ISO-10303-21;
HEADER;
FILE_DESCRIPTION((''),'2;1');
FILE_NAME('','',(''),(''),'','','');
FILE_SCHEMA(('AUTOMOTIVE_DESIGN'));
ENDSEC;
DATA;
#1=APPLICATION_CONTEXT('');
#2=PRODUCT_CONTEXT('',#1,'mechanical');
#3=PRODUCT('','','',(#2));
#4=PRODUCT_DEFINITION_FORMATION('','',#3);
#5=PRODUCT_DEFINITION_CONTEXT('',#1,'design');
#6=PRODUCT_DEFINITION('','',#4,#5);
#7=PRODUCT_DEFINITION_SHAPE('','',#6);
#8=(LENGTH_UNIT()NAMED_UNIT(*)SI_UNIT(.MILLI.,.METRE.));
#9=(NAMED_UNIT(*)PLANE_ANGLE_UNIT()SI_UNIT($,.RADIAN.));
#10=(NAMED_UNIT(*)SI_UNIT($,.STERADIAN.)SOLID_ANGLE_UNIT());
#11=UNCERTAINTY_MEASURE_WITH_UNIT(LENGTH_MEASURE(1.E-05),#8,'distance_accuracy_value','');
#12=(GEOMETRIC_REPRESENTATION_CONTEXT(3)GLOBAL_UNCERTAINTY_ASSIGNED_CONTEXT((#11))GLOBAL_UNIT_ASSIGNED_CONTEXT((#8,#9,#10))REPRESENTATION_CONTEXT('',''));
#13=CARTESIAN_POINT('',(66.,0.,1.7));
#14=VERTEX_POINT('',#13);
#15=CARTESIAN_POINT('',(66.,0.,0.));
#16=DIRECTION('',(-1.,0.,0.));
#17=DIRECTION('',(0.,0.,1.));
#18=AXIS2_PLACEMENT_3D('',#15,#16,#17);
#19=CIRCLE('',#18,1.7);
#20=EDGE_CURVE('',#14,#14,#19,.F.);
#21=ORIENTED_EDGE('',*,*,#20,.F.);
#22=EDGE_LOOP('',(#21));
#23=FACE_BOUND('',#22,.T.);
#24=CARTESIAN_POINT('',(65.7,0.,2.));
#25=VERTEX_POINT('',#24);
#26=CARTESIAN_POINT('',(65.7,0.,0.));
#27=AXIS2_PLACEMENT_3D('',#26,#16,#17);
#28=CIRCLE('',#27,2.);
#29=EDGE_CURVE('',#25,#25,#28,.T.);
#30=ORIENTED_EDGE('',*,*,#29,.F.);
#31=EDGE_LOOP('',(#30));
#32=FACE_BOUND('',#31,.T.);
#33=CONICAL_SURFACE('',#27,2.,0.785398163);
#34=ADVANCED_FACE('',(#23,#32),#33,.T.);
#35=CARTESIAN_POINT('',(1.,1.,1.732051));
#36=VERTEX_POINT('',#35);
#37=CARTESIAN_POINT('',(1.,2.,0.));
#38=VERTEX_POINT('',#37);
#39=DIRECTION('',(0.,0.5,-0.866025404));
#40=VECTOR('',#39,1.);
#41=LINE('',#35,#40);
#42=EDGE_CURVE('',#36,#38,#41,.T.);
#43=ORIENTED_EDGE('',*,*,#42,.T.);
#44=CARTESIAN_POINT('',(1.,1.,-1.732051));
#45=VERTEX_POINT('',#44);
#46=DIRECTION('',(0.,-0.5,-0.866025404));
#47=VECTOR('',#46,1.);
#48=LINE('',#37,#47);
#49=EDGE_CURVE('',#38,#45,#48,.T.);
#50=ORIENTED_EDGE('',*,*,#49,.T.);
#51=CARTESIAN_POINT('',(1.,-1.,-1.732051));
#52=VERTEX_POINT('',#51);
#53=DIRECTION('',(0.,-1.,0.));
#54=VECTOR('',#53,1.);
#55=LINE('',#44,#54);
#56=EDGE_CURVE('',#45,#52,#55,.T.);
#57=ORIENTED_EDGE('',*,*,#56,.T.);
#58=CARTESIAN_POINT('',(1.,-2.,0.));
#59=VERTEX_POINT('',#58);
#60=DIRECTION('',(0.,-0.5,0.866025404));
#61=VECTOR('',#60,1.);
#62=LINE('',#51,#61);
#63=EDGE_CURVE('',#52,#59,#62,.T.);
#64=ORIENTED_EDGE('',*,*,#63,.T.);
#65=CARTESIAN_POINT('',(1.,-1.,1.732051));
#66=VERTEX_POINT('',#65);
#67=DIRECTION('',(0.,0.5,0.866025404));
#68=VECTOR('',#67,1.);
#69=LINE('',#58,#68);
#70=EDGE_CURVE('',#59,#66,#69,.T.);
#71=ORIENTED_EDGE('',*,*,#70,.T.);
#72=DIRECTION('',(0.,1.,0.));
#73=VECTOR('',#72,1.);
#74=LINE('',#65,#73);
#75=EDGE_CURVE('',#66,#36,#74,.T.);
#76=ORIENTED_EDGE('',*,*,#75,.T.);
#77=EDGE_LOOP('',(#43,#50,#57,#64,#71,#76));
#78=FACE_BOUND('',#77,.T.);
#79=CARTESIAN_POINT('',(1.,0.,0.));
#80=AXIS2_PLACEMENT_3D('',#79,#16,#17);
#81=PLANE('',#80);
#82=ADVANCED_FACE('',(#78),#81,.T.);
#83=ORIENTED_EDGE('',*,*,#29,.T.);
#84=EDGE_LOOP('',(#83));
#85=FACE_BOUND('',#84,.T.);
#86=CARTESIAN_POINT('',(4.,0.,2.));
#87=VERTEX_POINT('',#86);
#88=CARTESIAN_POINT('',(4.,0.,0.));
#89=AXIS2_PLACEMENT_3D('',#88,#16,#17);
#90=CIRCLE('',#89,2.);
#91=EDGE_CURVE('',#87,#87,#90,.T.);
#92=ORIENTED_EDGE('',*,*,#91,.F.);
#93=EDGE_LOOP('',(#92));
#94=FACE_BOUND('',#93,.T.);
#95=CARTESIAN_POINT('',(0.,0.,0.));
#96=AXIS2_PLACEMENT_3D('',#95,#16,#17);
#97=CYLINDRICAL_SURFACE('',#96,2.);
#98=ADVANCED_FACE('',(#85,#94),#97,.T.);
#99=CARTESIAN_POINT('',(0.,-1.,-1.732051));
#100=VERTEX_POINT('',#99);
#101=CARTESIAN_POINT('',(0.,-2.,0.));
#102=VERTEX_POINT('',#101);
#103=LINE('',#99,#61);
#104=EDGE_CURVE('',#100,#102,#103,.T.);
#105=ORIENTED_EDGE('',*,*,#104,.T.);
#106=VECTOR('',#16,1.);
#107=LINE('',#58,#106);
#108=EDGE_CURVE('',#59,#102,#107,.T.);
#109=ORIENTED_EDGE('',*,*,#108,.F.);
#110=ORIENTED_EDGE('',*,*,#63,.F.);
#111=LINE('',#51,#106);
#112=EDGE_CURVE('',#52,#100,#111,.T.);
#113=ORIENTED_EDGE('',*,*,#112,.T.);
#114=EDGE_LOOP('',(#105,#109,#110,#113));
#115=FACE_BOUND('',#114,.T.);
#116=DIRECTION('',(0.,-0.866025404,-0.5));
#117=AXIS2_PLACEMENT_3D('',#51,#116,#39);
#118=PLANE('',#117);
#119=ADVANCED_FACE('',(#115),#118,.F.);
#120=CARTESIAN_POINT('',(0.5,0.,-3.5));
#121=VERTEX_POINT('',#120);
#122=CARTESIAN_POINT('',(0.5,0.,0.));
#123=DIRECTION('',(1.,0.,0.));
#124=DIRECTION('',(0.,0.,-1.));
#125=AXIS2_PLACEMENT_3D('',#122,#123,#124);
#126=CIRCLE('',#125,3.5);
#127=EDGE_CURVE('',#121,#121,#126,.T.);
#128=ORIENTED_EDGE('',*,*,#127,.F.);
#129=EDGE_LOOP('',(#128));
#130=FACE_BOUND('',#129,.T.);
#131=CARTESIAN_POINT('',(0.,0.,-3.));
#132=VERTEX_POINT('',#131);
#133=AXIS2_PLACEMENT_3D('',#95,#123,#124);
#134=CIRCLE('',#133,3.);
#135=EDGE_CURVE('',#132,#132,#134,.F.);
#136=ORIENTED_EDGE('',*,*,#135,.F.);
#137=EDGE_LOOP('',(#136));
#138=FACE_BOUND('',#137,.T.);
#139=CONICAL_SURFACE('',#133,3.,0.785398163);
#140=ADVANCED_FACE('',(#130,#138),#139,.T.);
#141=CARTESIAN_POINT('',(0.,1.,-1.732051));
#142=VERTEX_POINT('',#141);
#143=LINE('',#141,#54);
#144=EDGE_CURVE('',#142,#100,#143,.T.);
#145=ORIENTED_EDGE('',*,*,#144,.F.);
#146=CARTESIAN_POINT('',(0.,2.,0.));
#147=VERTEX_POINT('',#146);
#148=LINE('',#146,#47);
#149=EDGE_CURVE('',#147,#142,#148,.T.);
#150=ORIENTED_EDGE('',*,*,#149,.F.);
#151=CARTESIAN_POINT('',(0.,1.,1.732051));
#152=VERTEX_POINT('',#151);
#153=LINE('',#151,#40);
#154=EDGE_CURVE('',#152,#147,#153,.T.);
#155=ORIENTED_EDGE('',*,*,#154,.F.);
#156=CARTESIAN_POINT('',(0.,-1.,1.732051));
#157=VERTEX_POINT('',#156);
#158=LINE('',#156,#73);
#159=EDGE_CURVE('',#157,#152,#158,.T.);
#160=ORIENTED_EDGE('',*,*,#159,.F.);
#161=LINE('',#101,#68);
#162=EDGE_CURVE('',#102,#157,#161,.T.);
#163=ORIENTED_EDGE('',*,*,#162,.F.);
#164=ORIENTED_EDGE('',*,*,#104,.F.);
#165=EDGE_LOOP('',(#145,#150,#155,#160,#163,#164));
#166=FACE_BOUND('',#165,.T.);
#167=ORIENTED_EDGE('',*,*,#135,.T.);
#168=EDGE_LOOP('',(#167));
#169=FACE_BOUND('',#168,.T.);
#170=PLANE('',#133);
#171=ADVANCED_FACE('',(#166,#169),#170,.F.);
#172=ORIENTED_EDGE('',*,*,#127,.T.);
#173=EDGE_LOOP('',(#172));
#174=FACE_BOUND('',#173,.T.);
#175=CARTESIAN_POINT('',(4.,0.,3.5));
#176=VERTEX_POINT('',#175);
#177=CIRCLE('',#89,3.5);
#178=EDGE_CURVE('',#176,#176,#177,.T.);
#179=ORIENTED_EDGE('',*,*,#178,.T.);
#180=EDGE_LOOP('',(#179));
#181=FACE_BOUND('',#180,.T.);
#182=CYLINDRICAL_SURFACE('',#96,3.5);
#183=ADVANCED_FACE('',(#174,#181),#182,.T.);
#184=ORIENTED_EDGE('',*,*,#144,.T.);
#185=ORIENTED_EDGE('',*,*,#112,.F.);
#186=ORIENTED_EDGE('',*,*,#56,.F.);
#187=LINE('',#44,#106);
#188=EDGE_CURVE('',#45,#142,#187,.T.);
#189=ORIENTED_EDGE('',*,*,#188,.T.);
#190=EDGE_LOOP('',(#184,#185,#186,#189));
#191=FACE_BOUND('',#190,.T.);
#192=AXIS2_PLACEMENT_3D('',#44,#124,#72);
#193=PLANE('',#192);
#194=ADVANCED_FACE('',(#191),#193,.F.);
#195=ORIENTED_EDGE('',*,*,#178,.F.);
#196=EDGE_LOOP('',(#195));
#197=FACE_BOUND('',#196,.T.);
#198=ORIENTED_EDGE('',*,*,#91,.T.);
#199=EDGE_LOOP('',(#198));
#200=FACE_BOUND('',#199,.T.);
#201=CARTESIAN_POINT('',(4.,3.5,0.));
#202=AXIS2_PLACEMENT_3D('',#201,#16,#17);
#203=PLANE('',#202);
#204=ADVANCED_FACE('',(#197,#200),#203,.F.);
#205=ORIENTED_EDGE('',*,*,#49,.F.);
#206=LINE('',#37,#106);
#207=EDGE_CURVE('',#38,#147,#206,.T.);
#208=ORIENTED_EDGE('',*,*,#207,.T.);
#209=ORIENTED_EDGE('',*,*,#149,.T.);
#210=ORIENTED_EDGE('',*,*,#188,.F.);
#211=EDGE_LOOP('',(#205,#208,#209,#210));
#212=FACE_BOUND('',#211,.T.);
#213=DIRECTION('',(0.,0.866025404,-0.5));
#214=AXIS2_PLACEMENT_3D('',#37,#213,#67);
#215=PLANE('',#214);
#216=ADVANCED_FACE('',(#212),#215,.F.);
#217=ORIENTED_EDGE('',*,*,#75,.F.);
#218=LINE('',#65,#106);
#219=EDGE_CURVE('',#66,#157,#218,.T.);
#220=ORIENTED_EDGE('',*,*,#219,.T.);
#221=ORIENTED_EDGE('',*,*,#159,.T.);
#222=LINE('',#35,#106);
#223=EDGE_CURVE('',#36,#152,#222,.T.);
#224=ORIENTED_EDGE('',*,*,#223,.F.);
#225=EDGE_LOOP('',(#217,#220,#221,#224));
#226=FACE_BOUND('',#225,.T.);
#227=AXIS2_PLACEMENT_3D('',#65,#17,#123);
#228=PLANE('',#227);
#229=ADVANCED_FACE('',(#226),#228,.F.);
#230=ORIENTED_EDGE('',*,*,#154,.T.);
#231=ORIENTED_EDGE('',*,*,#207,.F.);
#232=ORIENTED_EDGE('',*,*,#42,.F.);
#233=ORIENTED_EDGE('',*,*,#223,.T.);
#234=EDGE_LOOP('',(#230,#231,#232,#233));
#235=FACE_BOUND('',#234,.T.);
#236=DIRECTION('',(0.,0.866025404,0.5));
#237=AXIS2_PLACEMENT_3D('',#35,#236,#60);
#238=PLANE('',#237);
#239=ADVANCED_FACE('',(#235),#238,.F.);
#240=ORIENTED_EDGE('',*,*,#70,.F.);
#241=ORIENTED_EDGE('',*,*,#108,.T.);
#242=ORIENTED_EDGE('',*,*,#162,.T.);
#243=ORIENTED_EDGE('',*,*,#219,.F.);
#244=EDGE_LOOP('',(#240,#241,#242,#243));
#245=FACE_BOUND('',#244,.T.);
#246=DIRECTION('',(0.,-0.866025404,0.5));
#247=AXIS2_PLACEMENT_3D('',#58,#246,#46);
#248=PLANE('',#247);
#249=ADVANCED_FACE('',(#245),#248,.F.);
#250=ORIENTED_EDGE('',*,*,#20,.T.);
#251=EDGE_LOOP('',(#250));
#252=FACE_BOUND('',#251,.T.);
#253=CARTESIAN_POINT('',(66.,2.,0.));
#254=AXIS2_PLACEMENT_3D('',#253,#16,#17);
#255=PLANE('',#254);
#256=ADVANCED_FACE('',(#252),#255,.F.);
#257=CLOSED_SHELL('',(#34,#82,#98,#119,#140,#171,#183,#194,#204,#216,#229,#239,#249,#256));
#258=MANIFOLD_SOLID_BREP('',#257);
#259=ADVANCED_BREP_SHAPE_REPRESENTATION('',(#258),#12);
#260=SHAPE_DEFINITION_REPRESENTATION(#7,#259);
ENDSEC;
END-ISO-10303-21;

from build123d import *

# Parameters (mm, degrees)
CHAMFER1_SIZE      = 0.3
CUT_EXTRUDE1_DEPTH = 1
CHAMFER2_SIZE      = 0.5


with BuildPart() as part:
    # Sketch1 → Revolve1 (revolve)
    with BuildSketch(Plane.XY):
        Polygon((0, 0), (66, 0), (66, 2), (4, 2), (4, 3.5), (0, 3.5), align=None)
    revolve(axis=Axis((0, 0, 0), (1, 0, 0)))

    # Chamfer1
    chamfer1_edges = [part.edges().sort_by_distance(p)[0] for p in [
        (66, -2, 0),
    ]]
    chamfer(chamfer1_edges, length=CHAMFER1_SIZE)

    # Sketch2 → Cut-Extrude1 (cut)
    with BuildSketch(Plane.ZY):
        Polygon((0, 2), (-1.732050808, 1), (-1.732050808, -1), (0, -2), (1.732050808, -1), (1.732050808, 1), align=None)
    extrude(amount=-CUT_EXTRUDE1_DEPTH, mode=Mode.SUBTRACT)

    # Chamfer2
    chamfer2_edges = [part.edges().sort_by_distance(p)[0] for p in [
        (0, -3.5, 0),
    ]]
    chamfer(chamfer2_edges, length=CHAMFER2_SIZE)


solid = part.part
